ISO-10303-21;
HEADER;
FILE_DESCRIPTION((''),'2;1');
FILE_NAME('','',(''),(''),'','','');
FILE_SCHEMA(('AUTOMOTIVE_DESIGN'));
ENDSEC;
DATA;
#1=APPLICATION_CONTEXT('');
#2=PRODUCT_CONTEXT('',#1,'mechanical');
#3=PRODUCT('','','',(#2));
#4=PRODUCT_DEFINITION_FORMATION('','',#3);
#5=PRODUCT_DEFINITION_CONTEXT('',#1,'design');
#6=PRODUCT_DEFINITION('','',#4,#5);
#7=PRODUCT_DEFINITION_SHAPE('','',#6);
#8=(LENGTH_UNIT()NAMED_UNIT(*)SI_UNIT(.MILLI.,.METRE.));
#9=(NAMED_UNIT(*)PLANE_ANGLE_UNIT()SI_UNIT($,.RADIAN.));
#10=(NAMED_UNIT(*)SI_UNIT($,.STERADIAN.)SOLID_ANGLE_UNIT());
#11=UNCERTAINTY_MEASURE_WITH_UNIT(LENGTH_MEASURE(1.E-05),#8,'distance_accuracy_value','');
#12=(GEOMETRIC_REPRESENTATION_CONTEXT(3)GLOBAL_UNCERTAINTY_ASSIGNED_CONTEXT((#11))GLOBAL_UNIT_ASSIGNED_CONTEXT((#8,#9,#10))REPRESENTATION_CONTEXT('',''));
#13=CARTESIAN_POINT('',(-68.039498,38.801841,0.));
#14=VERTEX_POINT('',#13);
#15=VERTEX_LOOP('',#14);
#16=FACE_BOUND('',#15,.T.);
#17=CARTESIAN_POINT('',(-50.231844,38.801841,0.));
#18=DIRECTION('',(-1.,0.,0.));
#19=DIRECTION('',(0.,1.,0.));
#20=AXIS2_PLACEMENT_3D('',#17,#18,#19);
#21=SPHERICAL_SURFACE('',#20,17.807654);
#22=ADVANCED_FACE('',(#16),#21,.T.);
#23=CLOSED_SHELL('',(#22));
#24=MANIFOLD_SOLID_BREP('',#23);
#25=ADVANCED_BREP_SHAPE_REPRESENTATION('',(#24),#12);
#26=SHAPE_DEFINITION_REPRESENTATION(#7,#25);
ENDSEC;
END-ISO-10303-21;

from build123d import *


with BuildPart() as f1:
    # F0 (on Top) → F1 (revolve)
    with BuildSketch(Plane.XY):
        with BuildLine():
            Line((-50.231844, 38.801841), (-32.42419, 38.801841))
            ThreePointArc((-32.42419, 38.801841), (-50.231844, 56.609495), (-68.039498, 38.801841))
            Line((-68.039498, 38.801841), (-50.231844, 38.801841))
        make_face()
    revolve(axis=Axis((-59.135671, 38.801841, 0), (-1, 0, 0)))


solid = f1.part
